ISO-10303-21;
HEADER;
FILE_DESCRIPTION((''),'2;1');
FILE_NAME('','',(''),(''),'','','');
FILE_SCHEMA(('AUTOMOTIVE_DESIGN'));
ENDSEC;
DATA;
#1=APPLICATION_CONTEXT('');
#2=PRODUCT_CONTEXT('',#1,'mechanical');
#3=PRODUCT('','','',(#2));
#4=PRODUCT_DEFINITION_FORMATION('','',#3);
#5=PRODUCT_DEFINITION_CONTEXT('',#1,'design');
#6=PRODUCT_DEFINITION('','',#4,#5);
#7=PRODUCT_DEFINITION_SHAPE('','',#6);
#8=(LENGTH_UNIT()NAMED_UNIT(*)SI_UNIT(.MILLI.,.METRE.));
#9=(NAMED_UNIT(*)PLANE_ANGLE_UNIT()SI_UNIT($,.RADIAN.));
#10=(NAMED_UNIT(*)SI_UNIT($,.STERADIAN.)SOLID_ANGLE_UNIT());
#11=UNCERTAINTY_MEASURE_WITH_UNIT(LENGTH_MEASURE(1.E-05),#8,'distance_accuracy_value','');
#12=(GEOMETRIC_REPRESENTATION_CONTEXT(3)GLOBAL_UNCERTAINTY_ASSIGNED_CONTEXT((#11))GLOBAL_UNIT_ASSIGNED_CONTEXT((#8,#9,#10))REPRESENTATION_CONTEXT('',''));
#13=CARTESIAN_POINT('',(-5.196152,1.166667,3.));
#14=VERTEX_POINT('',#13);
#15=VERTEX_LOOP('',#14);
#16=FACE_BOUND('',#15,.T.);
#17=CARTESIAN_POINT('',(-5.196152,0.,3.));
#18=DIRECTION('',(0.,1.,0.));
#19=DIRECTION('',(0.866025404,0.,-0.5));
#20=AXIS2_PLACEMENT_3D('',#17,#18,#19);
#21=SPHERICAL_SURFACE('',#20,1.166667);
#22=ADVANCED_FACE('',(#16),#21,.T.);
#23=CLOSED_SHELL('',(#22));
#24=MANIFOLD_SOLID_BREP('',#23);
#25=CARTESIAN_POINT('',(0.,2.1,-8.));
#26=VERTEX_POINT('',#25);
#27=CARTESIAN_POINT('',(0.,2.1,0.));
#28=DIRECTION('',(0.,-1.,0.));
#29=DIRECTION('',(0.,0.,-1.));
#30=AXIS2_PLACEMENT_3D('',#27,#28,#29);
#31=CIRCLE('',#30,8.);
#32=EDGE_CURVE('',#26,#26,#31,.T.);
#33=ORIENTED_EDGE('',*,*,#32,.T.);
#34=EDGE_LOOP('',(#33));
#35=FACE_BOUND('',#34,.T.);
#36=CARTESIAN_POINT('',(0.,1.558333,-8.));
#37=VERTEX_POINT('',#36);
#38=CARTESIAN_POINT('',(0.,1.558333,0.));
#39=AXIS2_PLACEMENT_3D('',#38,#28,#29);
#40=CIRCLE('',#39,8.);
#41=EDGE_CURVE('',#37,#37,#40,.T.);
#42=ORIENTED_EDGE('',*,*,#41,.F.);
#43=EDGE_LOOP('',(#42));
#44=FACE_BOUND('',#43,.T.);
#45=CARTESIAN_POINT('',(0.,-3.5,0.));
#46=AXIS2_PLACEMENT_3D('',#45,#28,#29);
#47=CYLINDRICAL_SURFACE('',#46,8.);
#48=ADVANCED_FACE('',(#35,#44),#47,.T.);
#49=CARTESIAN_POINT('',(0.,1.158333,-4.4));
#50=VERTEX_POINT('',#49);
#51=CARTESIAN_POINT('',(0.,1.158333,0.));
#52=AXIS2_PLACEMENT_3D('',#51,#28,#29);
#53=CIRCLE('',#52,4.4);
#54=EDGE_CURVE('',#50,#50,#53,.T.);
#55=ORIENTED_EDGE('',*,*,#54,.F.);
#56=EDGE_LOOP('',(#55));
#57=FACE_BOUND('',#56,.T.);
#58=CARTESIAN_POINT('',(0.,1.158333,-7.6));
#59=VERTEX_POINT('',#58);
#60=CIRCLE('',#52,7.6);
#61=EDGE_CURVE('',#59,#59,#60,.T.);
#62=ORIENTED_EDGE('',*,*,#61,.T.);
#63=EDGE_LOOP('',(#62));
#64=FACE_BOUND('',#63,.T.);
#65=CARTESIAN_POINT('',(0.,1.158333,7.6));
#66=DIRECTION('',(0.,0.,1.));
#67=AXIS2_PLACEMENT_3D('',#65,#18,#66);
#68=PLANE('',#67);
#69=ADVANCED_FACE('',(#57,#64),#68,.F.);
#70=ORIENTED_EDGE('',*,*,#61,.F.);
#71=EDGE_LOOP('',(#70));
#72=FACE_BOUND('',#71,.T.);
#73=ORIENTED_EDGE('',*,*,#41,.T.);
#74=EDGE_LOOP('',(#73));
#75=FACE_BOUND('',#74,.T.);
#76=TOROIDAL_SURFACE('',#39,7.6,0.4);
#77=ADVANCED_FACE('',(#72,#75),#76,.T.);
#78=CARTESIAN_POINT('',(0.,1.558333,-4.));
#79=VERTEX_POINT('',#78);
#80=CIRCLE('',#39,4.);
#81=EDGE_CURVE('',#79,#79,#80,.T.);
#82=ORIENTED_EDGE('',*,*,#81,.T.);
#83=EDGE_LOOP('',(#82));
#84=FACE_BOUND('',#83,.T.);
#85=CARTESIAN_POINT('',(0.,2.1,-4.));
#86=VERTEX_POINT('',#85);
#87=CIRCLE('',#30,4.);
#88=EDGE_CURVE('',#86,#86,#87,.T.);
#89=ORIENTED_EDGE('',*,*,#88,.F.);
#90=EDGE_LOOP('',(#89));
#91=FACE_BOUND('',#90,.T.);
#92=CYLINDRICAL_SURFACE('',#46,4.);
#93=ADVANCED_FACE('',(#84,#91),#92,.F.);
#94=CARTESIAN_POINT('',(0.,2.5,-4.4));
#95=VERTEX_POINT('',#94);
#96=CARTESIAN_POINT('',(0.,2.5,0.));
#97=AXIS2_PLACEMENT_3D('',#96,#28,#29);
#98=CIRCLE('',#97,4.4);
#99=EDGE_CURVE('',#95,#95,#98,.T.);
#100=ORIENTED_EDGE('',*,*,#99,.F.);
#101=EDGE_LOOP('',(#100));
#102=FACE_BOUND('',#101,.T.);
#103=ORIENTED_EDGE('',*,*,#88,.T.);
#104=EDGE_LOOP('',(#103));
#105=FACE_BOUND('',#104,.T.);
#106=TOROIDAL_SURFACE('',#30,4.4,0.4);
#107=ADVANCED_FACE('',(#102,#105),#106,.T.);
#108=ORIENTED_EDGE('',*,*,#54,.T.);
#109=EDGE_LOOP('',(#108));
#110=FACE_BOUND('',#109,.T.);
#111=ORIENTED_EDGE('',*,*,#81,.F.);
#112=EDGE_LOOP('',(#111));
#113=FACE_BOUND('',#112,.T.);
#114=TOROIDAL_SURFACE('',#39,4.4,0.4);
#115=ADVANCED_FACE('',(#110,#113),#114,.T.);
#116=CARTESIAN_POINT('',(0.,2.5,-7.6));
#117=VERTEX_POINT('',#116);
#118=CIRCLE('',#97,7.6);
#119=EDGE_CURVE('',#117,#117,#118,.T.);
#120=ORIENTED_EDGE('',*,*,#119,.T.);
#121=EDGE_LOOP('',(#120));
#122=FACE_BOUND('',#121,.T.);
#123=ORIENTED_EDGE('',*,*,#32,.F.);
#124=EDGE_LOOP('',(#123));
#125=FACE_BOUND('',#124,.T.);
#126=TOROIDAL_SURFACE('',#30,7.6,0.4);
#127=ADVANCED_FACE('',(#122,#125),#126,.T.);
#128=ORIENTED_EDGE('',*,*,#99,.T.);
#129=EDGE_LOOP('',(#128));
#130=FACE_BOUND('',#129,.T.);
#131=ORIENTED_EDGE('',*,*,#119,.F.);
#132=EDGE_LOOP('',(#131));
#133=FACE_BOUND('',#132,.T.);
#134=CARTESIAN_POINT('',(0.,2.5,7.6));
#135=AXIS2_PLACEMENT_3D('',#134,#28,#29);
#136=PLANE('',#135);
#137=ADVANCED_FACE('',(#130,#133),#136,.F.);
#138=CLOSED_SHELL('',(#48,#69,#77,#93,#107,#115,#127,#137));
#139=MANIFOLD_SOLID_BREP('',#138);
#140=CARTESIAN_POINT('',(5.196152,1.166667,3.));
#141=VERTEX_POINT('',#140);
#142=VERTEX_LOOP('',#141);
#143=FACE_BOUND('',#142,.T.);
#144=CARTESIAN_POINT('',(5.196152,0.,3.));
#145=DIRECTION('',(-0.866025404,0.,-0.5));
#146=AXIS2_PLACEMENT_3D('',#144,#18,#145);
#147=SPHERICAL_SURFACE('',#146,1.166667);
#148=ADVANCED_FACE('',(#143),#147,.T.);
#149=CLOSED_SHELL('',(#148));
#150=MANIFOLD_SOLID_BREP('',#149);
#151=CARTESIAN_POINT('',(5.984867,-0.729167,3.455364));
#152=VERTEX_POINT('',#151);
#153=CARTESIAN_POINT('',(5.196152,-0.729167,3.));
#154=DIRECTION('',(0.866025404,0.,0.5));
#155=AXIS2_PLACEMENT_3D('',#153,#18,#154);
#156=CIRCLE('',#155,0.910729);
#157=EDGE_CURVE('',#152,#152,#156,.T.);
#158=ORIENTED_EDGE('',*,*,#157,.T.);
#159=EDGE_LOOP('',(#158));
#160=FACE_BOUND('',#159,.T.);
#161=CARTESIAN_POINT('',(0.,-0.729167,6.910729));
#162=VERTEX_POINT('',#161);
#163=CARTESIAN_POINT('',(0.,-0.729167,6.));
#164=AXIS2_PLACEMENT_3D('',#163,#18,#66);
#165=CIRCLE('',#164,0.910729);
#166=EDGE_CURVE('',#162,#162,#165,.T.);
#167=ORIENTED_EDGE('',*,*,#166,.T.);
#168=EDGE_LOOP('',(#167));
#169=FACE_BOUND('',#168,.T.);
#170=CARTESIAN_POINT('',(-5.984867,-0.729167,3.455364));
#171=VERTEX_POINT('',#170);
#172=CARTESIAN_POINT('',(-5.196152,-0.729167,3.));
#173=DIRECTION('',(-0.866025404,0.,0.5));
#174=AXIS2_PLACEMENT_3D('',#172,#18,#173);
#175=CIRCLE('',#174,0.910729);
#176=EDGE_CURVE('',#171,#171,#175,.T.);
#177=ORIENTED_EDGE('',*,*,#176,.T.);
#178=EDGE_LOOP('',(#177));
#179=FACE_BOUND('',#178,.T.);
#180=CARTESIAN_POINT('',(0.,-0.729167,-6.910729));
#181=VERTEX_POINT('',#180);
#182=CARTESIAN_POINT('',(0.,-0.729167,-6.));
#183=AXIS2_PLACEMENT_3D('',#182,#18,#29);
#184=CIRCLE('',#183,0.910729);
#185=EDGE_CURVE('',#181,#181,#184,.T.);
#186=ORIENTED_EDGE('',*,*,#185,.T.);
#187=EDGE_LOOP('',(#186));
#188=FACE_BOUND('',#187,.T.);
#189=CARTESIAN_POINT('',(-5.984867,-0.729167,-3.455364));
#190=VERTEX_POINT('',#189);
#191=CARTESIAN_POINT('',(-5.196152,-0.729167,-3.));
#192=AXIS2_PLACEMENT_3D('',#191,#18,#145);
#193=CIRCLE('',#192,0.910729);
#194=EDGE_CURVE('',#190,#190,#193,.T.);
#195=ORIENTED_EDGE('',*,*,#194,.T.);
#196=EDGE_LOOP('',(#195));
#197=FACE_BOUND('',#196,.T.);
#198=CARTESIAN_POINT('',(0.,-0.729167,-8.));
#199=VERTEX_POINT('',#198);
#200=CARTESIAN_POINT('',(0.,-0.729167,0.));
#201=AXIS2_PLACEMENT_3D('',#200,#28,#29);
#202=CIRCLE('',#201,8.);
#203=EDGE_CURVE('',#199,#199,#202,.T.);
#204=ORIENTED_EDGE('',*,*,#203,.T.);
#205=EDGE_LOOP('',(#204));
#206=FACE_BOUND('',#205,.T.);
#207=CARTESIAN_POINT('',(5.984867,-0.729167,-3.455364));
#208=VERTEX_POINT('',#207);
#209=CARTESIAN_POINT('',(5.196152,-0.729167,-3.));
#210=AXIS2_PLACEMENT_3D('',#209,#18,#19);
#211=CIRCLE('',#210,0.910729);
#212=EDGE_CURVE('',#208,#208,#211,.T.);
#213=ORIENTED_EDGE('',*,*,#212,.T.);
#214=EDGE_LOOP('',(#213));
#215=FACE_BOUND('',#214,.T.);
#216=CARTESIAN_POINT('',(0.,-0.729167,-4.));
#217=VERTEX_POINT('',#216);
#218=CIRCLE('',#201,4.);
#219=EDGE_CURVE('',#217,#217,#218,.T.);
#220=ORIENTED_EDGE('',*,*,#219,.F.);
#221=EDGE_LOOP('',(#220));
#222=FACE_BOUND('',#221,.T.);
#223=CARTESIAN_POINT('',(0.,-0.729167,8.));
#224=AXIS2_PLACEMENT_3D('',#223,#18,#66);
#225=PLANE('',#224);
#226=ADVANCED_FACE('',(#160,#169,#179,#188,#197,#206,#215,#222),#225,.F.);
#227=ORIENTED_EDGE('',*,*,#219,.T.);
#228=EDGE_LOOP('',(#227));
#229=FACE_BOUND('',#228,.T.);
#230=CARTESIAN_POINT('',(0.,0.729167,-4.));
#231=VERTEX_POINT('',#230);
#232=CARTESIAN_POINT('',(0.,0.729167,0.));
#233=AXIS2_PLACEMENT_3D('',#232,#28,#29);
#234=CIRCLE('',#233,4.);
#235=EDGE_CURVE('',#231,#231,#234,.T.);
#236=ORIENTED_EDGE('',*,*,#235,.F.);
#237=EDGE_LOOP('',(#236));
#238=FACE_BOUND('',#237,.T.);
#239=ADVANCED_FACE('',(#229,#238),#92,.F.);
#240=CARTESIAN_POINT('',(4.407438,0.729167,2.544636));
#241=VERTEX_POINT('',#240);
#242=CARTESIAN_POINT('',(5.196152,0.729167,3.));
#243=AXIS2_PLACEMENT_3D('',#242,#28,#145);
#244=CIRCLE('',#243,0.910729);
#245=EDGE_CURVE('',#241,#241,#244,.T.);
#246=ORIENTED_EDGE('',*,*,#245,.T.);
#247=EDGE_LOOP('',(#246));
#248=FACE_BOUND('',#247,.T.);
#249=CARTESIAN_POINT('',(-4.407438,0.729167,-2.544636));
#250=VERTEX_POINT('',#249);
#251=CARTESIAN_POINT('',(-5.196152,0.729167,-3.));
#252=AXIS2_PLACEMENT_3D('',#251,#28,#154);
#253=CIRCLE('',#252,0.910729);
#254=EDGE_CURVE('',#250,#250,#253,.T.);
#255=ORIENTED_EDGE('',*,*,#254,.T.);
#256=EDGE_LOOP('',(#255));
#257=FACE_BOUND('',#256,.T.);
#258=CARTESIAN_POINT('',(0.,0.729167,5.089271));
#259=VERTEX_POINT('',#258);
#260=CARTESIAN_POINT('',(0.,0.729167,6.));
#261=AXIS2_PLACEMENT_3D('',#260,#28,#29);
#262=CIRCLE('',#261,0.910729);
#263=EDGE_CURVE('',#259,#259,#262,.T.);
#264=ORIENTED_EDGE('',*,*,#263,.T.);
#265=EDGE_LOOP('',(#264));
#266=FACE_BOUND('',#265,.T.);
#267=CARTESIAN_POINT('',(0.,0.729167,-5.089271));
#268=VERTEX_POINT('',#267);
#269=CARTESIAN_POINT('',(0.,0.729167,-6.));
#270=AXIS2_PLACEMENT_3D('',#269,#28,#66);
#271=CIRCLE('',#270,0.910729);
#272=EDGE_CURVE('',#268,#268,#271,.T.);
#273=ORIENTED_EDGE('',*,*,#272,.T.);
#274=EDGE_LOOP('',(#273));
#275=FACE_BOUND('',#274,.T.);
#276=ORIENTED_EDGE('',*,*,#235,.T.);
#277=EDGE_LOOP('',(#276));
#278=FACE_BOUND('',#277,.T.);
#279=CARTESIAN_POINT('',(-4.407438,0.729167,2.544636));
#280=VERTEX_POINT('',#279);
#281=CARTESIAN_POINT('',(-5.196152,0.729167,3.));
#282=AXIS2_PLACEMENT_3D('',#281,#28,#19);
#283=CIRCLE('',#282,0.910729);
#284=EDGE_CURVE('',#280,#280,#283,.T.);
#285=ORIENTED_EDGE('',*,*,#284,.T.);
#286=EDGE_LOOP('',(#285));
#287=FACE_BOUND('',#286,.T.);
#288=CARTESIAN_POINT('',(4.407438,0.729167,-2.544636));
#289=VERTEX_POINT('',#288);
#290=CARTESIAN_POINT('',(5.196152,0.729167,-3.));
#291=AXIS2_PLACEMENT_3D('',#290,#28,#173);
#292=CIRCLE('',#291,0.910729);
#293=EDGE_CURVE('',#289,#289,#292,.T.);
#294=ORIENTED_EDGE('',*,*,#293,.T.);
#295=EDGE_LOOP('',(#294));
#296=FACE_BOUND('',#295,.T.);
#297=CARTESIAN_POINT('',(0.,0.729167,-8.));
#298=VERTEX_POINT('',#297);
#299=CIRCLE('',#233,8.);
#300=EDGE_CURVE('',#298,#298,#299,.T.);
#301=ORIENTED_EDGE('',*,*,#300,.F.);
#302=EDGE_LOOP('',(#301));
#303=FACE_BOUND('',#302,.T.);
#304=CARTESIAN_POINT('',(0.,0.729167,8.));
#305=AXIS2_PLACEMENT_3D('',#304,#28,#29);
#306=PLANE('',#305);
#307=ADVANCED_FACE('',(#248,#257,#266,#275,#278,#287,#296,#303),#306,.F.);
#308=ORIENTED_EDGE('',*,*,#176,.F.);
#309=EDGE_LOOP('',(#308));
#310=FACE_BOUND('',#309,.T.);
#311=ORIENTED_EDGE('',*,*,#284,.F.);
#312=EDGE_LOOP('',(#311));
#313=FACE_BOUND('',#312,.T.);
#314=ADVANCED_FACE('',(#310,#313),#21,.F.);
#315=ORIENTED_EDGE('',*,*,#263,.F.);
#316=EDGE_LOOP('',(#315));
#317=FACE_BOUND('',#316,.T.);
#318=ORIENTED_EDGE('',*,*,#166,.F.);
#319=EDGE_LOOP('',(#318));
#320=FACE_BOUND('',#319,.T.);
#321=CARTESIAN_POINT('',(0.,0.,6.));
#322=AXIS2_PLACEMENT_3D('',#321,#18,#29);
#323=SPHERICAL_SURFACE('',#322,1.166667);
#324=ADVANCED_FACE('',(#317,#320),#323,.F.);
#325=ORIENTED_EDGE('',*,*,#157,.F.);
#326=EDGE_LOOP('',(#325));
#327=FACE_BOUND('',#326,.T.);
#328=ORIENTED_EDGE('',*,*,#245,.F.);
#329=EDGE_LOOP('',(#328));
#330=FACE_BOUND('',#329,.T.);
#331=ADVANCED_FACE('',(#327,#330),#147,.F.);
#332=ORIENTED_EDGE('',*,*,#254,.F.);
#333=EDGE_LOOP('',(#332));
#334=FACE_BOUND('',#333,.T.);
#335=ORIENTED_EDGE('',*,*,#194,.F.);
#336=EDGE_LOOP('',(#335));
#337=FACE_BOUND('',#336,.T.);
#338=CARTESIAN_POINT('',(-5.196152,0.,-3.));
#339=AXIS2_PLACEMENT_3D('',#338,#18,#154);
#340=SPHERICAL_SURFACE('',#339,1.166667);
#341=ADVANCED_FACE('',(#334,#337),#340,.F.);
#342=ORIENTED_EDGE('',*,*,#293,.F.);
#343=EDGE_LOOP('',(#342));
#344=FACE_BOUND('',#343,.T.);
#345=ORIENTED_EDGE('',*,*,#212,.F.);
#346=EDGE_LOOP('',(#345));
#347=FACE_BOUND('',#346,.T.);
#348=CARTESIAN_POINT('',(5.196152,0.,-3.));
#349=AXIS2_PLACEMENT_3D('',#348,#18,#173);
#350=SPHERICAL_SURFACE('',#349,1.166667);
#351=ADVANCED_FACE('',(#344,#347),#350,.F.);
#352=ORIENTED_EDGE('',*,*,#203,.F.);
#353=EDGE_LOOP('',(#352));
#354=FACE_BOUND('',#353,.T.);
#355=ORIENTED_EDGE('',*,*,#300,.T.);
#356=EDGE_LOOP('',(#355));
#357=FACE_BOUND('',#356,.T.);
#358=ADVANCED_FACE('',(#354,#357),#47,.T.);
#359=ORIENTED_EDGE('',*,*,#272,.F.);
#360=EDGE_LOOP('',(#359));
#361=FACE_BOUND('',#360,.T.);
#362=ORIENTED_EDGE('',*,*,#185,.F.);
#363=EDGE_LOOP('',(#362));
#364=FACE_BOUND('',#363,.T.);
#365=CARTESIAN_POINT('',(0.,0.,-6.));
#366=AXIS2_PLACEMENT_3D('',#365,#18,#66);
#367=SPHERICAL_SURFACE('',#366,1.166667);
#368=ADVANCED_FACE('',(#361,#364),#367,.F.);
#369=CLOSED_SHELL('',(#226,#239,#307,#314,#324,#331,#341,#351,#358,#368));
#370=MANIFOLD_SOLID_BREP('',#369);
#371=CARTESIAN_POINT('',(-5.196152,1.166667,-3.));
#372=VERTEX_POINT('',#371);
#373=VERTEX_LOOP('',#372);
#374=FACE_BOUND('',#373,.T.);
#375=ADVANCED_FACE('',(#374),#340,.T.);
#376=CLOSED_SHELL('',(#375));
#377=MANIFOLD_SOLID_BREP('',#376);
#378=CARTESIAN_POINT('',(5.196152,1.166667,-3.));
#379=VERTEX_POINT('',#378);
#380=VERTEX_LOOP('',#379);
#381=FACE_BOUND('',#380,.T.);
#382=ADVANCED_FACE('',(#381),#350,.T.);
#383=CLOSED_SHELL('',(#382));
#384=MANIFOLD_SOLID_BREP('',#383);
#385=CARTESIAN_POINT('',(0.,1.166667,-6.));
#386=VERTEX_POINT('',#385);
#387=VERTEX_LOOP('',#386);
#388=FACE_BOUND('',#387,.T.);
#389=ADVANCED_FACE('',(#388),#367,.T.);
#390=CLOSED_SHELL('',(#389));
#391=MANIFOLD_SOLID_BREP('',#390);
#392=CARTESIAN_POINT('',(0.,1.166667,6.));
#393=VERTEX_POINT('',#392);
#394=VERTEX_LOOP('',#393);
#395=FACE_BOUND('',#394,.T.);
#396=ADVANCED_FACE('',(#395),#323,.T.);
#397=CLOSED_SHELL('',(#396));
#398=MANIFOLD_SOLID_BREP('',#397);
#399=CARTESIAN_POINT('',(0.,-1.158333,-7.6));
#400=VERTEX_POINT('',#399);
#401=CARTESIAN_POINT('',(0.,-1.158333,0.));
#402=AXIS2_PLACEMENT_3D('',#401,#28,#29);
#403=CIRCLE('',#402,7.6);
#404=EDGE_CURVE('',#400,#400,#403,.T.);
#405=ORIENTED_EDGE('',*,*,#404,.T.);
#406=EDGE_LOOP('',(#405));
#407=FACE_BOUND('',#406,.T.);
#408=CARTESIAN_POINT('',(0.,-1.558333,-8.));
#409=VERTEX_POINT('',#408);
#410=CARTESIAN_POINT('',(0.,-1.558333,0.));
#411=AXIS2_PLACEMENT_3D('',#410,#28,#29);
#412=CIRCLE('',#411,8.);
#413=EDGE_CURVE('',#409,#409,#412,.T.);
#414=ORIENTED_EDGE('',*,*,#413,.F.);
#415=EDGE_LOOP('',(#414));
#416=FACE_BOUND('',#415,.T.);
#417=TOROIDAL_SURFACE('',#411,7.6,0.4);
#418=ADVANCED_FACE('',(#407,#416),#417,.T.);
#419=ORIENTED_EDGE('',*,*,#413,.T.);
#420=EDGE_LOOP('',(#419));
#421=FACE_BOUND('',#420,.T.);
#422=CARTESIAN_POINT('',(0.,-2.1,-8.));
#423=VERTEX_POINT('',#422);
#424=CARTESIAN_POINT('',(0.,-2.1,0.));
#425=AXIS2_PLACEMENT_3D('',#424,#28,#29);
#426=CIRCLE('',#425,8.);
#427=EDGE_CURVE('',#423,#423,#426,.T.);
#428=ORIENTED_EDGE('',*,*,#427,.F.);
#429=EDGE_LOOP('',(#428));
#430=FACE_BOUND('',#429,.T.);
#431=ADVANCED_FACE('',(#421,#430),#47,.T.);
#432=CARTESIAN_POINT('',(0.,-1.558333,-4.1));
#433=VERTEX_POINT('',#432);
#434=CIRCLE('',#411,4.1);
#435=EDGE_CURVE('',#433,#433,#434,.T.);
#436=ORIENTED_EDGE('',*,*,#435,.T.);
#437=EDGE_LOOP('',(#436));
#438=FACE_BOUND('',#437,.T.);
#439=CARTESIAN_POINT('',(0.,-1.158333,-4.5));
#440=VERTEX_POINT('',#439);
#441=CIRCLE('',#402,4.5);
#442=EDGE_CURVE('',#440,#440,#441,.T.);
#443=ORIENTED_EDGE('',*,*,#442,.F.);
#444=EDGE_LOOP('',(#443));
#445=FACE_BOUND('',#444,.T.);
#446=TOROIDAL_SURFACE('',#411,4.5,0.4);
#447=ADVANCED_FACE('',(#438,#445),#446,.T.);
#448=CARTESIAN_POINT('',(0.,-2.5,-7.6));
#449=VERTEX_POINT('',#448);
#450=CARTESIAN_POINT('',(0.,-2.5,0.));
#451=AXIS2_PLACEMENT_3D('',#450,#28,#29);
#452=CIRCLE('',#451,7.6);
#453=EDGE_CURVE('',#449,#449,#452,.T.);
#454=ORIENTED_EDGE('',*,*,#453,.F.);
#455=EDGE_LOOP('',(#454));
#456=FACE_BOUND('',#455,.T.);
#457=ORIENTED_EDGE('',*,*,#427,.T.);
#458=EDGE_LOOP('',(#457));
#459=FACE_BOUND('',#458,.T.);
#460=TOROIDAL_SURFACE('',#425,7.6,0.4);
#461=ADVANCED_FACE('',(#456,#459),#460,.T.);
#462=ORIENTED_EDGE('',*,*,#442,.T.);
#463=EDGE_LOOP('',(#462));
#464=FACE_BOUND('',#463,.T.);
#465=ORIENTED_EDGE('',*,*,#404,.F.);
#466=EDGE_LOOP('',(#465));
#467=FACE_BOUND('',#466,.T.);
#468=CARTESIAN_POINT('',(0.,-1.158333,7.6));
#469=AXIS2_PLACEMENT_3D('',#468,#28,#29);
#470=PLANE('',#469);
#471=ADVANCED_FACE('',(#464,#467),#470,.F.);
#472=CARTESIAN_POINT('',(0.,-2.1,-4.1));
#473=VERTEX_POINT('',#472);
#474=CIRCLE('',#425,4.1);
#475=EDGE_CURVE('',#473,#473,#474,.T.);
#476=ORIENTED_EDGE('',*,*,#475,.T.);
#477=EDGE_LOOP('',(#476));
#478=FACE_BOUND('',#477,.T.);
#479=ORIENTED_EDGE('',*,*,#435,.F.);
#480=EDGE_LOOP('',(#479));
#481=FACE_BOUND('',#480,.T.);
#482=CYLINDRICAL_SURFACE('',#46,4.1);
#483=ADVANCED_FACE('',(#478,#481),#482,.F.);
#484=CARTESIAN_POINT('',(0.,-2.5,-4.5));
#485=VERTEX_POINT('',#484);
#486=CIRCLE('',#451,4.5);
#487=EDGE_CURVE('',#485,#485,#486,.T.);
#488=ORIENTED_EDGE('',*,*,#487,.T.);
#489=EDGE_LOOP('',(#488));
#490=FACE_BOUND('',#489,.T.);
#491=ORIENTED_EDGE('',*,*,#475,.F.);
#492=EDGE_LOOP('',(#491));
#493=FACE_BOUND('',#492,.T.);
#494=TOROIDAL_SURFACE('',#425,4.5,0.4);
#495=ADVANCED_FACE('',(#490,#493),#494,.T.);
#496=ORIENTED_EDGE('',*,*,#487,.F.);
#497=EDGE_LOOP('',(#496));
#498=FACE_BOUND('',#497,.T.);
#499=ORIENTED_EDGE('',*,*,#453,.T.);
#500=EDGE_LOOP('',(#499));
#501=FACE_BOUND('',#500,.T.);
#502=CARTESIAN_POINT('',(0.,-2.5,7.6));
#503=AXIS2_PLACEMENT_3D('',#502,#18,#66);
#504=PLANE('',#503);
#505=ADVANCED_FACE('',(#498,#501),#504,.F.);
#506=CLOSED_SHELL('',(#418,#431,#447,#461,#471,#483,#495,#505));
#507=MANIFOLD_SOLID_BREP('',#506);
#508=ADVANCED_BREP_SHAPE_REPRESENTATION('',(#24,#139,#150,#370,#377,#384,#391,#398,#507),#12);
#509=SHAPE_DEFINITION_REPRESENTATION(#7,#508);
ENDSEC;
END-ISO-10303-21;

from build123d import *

# Parameters (mm, degrees)
SKETCH1_W         = 4
SKETCH1_H         = 1.458333334
CIRPATTERN1_COUNT = 6
CIRPATTERN1_ANGLE = 300
CIRPATTERN2_COUNT = 6


with BuildPart() as part:
    # Sketch1 → Revolve1 (revolve)
    with BuildSketch(Plane(origin=(0, 0, 0), x_dir=(0, 0, -1), z_dir=(1, 0, 0))):
        with Locations((-6, 0)):
            Rectangle(SKETCH1_W, SKETCH1_H)
    revolve(axis=Axis((0, -3.5, 0), (0, 1, 0)))

    # Sketch3 → Cut-Revolve1 (revolve, cut)
    with BuildSketch(Plane(origin=(0, 0, 0), x_dir=(0, 0, -1), z_dir=(1, 0, 0))):
        with BuildLine():
            Line((-6, 1.166666667), (-6, -1.166666667))
            ThreePointArc((-6, -1.166666667), (-7.166666667, 0), (-6, 1.166666667))
        make_face()
    cut_revolve1 = revolve(axis=Axis((0, 1.166666667, 6), (0, -1, 0)), mode=Mode.SUBTRACT)

    # CirPattern2: Cut-Revolve1 ×6 about axis
    cirpattern2_axis = Axis((0, 0, 0), (0, 1, 0))
    for i in range(1, CIRPATTERN2_COUNT):
        add(cut_revolve1.rotate(cirpattern2_axis, i * 360 / CIRPATTERN2_COUNT), mode=Mode.SUBTRACT)


with BuildPart() as body_2:
    # Sketch2 → Revolve2 (revolve)
    with BuildSketch(Plane(origin=(0, 0, 0), x_dir=(0, 0, -1), z_dir=(1, 0, 0))):
        with BuildLine():
            Line((-6, 1.166666667), (-6, -1.166666667))
            ThreePointArc((-6, -1.166666667), (-7.166666667, 0), (-6, 1.166666667))
        make_face()
    revolve(axis=Axis((0, 1.166666667, 6), (0, -1, 0)))


with BuildPart() as cirpattern1_1:
    # CirPattern1: pattern copy
    add(body_2.part.rotate(Axis((0, 3.5, 0), (0, -1, 0)), 1 * CIRPATTERN1_ANGLE / (CIRPATTERN1_COUNT - 1)))


with BuildPart() as cirpattern1_2:
    # CirPattern1: pattern copy
    add(body_2.part.rotate(Axis((0, 3.5, 0), (0, -1, 0)), 2 * CIRPATTERN1_ANGLE / (CIRPATTERN1_COUNT - 1)))


with BuildPart() as cirpattern1_3:
    # CirPattern1: pattern copy
    add(body_2.part.rotate(Axis((0, 3.5, 0), (0, -1, 0)), 3 * CIRPATTERN1_ANGLE / (CIRPATTERN1_COUNT - 1)))


with BuildPart() as cirpattern1_4:
    # CirPattern1: pattern copy
    add(body_2.part.rotate(Axis((0, 3.5, 0), (0, -1, 0)), 4 * CIRPATTERN1_ANGLE / (CIRPATTERN1_COUNT - 1)))


with BuildPart() as cirpattern1_5:
    # CirPattern1: pattern copy
    add(body_2.part.rotate(Axis((0, 3.5, 0), (0, -1, 0)), 5 * CIRPATTERN1_ANGLE / (CIRPATTERN1_COUNT - 1)))


with BuildPart() as body_8:
    # Sketch4 → Revolve3 (revolve)
    with BuildSketch(Plane(origin=(0, 0, 0), x_dir=(0, 0, -1), z_dir=(1, 0, 0))):
        with BuildLine():
            Line((-7.6, 2.5), (-4.4, 2.5))
            ThreePointArc((-4.4, 2.5), (-4.117157288, 2.382842712), (-4, 2.1))
            Line((-4, 2.1), (-4, 1.558333333))
            ThreePointArc((-4, 1.558333333), (-4.117157288, 1.275490621), (-4.4, 1.158333333))
            Line((-4.4, 1.158333333), (-7.6, 1.158333333))
            ThreePointArc((-7.6, 1.158333333), (-7.882842712, 1.275490621), (-8, 1.558333333))
            Line((-8, 1.558333333), (-8, 2.1))
            ThreePointArc((-8, 2.1), (-7.882842712, 2.382842712), (-7.6, 2.5))
        make_face()
        with BuildLine():
            Line((-7.6, -2.5), (-4.5, -2.5))
            ThreePointArc((-4.5, -2.5), (-4.217157288, -2.382842712), (-4.1, -2.1))
            Line((-4.1, -2.1), (-4.1, -1.558333333))
            ThreePointArc((-4.1, -1.558333333), (-4.217157288, -1.275490621), (-4.5, -1.158333333))
            Line((-4.5, -1.158333333), (-7.6, -1.158333333))
            ThreePointArc((-7.6, -1.158333333), (-7.882842712, -1.275490621), (-8, -1.558333333))
            Line((-8, -1.558333333), (-8, -2.1))
            ThreePointArc((-8, -2.1), (-7.882842712, -2.382842712), (-7.6, -2.5))
        make_face()
    revolve(axis=Axis((0, -3.5, 0), (0, 1, 0)))


solid = Compound([part.part, body_2.part, cirpattern1_1.part, cirpattern1_2.part, cirpattern1_3.part, cirpattern1_4.part, cirpattern1_5.part, body_8.part])
